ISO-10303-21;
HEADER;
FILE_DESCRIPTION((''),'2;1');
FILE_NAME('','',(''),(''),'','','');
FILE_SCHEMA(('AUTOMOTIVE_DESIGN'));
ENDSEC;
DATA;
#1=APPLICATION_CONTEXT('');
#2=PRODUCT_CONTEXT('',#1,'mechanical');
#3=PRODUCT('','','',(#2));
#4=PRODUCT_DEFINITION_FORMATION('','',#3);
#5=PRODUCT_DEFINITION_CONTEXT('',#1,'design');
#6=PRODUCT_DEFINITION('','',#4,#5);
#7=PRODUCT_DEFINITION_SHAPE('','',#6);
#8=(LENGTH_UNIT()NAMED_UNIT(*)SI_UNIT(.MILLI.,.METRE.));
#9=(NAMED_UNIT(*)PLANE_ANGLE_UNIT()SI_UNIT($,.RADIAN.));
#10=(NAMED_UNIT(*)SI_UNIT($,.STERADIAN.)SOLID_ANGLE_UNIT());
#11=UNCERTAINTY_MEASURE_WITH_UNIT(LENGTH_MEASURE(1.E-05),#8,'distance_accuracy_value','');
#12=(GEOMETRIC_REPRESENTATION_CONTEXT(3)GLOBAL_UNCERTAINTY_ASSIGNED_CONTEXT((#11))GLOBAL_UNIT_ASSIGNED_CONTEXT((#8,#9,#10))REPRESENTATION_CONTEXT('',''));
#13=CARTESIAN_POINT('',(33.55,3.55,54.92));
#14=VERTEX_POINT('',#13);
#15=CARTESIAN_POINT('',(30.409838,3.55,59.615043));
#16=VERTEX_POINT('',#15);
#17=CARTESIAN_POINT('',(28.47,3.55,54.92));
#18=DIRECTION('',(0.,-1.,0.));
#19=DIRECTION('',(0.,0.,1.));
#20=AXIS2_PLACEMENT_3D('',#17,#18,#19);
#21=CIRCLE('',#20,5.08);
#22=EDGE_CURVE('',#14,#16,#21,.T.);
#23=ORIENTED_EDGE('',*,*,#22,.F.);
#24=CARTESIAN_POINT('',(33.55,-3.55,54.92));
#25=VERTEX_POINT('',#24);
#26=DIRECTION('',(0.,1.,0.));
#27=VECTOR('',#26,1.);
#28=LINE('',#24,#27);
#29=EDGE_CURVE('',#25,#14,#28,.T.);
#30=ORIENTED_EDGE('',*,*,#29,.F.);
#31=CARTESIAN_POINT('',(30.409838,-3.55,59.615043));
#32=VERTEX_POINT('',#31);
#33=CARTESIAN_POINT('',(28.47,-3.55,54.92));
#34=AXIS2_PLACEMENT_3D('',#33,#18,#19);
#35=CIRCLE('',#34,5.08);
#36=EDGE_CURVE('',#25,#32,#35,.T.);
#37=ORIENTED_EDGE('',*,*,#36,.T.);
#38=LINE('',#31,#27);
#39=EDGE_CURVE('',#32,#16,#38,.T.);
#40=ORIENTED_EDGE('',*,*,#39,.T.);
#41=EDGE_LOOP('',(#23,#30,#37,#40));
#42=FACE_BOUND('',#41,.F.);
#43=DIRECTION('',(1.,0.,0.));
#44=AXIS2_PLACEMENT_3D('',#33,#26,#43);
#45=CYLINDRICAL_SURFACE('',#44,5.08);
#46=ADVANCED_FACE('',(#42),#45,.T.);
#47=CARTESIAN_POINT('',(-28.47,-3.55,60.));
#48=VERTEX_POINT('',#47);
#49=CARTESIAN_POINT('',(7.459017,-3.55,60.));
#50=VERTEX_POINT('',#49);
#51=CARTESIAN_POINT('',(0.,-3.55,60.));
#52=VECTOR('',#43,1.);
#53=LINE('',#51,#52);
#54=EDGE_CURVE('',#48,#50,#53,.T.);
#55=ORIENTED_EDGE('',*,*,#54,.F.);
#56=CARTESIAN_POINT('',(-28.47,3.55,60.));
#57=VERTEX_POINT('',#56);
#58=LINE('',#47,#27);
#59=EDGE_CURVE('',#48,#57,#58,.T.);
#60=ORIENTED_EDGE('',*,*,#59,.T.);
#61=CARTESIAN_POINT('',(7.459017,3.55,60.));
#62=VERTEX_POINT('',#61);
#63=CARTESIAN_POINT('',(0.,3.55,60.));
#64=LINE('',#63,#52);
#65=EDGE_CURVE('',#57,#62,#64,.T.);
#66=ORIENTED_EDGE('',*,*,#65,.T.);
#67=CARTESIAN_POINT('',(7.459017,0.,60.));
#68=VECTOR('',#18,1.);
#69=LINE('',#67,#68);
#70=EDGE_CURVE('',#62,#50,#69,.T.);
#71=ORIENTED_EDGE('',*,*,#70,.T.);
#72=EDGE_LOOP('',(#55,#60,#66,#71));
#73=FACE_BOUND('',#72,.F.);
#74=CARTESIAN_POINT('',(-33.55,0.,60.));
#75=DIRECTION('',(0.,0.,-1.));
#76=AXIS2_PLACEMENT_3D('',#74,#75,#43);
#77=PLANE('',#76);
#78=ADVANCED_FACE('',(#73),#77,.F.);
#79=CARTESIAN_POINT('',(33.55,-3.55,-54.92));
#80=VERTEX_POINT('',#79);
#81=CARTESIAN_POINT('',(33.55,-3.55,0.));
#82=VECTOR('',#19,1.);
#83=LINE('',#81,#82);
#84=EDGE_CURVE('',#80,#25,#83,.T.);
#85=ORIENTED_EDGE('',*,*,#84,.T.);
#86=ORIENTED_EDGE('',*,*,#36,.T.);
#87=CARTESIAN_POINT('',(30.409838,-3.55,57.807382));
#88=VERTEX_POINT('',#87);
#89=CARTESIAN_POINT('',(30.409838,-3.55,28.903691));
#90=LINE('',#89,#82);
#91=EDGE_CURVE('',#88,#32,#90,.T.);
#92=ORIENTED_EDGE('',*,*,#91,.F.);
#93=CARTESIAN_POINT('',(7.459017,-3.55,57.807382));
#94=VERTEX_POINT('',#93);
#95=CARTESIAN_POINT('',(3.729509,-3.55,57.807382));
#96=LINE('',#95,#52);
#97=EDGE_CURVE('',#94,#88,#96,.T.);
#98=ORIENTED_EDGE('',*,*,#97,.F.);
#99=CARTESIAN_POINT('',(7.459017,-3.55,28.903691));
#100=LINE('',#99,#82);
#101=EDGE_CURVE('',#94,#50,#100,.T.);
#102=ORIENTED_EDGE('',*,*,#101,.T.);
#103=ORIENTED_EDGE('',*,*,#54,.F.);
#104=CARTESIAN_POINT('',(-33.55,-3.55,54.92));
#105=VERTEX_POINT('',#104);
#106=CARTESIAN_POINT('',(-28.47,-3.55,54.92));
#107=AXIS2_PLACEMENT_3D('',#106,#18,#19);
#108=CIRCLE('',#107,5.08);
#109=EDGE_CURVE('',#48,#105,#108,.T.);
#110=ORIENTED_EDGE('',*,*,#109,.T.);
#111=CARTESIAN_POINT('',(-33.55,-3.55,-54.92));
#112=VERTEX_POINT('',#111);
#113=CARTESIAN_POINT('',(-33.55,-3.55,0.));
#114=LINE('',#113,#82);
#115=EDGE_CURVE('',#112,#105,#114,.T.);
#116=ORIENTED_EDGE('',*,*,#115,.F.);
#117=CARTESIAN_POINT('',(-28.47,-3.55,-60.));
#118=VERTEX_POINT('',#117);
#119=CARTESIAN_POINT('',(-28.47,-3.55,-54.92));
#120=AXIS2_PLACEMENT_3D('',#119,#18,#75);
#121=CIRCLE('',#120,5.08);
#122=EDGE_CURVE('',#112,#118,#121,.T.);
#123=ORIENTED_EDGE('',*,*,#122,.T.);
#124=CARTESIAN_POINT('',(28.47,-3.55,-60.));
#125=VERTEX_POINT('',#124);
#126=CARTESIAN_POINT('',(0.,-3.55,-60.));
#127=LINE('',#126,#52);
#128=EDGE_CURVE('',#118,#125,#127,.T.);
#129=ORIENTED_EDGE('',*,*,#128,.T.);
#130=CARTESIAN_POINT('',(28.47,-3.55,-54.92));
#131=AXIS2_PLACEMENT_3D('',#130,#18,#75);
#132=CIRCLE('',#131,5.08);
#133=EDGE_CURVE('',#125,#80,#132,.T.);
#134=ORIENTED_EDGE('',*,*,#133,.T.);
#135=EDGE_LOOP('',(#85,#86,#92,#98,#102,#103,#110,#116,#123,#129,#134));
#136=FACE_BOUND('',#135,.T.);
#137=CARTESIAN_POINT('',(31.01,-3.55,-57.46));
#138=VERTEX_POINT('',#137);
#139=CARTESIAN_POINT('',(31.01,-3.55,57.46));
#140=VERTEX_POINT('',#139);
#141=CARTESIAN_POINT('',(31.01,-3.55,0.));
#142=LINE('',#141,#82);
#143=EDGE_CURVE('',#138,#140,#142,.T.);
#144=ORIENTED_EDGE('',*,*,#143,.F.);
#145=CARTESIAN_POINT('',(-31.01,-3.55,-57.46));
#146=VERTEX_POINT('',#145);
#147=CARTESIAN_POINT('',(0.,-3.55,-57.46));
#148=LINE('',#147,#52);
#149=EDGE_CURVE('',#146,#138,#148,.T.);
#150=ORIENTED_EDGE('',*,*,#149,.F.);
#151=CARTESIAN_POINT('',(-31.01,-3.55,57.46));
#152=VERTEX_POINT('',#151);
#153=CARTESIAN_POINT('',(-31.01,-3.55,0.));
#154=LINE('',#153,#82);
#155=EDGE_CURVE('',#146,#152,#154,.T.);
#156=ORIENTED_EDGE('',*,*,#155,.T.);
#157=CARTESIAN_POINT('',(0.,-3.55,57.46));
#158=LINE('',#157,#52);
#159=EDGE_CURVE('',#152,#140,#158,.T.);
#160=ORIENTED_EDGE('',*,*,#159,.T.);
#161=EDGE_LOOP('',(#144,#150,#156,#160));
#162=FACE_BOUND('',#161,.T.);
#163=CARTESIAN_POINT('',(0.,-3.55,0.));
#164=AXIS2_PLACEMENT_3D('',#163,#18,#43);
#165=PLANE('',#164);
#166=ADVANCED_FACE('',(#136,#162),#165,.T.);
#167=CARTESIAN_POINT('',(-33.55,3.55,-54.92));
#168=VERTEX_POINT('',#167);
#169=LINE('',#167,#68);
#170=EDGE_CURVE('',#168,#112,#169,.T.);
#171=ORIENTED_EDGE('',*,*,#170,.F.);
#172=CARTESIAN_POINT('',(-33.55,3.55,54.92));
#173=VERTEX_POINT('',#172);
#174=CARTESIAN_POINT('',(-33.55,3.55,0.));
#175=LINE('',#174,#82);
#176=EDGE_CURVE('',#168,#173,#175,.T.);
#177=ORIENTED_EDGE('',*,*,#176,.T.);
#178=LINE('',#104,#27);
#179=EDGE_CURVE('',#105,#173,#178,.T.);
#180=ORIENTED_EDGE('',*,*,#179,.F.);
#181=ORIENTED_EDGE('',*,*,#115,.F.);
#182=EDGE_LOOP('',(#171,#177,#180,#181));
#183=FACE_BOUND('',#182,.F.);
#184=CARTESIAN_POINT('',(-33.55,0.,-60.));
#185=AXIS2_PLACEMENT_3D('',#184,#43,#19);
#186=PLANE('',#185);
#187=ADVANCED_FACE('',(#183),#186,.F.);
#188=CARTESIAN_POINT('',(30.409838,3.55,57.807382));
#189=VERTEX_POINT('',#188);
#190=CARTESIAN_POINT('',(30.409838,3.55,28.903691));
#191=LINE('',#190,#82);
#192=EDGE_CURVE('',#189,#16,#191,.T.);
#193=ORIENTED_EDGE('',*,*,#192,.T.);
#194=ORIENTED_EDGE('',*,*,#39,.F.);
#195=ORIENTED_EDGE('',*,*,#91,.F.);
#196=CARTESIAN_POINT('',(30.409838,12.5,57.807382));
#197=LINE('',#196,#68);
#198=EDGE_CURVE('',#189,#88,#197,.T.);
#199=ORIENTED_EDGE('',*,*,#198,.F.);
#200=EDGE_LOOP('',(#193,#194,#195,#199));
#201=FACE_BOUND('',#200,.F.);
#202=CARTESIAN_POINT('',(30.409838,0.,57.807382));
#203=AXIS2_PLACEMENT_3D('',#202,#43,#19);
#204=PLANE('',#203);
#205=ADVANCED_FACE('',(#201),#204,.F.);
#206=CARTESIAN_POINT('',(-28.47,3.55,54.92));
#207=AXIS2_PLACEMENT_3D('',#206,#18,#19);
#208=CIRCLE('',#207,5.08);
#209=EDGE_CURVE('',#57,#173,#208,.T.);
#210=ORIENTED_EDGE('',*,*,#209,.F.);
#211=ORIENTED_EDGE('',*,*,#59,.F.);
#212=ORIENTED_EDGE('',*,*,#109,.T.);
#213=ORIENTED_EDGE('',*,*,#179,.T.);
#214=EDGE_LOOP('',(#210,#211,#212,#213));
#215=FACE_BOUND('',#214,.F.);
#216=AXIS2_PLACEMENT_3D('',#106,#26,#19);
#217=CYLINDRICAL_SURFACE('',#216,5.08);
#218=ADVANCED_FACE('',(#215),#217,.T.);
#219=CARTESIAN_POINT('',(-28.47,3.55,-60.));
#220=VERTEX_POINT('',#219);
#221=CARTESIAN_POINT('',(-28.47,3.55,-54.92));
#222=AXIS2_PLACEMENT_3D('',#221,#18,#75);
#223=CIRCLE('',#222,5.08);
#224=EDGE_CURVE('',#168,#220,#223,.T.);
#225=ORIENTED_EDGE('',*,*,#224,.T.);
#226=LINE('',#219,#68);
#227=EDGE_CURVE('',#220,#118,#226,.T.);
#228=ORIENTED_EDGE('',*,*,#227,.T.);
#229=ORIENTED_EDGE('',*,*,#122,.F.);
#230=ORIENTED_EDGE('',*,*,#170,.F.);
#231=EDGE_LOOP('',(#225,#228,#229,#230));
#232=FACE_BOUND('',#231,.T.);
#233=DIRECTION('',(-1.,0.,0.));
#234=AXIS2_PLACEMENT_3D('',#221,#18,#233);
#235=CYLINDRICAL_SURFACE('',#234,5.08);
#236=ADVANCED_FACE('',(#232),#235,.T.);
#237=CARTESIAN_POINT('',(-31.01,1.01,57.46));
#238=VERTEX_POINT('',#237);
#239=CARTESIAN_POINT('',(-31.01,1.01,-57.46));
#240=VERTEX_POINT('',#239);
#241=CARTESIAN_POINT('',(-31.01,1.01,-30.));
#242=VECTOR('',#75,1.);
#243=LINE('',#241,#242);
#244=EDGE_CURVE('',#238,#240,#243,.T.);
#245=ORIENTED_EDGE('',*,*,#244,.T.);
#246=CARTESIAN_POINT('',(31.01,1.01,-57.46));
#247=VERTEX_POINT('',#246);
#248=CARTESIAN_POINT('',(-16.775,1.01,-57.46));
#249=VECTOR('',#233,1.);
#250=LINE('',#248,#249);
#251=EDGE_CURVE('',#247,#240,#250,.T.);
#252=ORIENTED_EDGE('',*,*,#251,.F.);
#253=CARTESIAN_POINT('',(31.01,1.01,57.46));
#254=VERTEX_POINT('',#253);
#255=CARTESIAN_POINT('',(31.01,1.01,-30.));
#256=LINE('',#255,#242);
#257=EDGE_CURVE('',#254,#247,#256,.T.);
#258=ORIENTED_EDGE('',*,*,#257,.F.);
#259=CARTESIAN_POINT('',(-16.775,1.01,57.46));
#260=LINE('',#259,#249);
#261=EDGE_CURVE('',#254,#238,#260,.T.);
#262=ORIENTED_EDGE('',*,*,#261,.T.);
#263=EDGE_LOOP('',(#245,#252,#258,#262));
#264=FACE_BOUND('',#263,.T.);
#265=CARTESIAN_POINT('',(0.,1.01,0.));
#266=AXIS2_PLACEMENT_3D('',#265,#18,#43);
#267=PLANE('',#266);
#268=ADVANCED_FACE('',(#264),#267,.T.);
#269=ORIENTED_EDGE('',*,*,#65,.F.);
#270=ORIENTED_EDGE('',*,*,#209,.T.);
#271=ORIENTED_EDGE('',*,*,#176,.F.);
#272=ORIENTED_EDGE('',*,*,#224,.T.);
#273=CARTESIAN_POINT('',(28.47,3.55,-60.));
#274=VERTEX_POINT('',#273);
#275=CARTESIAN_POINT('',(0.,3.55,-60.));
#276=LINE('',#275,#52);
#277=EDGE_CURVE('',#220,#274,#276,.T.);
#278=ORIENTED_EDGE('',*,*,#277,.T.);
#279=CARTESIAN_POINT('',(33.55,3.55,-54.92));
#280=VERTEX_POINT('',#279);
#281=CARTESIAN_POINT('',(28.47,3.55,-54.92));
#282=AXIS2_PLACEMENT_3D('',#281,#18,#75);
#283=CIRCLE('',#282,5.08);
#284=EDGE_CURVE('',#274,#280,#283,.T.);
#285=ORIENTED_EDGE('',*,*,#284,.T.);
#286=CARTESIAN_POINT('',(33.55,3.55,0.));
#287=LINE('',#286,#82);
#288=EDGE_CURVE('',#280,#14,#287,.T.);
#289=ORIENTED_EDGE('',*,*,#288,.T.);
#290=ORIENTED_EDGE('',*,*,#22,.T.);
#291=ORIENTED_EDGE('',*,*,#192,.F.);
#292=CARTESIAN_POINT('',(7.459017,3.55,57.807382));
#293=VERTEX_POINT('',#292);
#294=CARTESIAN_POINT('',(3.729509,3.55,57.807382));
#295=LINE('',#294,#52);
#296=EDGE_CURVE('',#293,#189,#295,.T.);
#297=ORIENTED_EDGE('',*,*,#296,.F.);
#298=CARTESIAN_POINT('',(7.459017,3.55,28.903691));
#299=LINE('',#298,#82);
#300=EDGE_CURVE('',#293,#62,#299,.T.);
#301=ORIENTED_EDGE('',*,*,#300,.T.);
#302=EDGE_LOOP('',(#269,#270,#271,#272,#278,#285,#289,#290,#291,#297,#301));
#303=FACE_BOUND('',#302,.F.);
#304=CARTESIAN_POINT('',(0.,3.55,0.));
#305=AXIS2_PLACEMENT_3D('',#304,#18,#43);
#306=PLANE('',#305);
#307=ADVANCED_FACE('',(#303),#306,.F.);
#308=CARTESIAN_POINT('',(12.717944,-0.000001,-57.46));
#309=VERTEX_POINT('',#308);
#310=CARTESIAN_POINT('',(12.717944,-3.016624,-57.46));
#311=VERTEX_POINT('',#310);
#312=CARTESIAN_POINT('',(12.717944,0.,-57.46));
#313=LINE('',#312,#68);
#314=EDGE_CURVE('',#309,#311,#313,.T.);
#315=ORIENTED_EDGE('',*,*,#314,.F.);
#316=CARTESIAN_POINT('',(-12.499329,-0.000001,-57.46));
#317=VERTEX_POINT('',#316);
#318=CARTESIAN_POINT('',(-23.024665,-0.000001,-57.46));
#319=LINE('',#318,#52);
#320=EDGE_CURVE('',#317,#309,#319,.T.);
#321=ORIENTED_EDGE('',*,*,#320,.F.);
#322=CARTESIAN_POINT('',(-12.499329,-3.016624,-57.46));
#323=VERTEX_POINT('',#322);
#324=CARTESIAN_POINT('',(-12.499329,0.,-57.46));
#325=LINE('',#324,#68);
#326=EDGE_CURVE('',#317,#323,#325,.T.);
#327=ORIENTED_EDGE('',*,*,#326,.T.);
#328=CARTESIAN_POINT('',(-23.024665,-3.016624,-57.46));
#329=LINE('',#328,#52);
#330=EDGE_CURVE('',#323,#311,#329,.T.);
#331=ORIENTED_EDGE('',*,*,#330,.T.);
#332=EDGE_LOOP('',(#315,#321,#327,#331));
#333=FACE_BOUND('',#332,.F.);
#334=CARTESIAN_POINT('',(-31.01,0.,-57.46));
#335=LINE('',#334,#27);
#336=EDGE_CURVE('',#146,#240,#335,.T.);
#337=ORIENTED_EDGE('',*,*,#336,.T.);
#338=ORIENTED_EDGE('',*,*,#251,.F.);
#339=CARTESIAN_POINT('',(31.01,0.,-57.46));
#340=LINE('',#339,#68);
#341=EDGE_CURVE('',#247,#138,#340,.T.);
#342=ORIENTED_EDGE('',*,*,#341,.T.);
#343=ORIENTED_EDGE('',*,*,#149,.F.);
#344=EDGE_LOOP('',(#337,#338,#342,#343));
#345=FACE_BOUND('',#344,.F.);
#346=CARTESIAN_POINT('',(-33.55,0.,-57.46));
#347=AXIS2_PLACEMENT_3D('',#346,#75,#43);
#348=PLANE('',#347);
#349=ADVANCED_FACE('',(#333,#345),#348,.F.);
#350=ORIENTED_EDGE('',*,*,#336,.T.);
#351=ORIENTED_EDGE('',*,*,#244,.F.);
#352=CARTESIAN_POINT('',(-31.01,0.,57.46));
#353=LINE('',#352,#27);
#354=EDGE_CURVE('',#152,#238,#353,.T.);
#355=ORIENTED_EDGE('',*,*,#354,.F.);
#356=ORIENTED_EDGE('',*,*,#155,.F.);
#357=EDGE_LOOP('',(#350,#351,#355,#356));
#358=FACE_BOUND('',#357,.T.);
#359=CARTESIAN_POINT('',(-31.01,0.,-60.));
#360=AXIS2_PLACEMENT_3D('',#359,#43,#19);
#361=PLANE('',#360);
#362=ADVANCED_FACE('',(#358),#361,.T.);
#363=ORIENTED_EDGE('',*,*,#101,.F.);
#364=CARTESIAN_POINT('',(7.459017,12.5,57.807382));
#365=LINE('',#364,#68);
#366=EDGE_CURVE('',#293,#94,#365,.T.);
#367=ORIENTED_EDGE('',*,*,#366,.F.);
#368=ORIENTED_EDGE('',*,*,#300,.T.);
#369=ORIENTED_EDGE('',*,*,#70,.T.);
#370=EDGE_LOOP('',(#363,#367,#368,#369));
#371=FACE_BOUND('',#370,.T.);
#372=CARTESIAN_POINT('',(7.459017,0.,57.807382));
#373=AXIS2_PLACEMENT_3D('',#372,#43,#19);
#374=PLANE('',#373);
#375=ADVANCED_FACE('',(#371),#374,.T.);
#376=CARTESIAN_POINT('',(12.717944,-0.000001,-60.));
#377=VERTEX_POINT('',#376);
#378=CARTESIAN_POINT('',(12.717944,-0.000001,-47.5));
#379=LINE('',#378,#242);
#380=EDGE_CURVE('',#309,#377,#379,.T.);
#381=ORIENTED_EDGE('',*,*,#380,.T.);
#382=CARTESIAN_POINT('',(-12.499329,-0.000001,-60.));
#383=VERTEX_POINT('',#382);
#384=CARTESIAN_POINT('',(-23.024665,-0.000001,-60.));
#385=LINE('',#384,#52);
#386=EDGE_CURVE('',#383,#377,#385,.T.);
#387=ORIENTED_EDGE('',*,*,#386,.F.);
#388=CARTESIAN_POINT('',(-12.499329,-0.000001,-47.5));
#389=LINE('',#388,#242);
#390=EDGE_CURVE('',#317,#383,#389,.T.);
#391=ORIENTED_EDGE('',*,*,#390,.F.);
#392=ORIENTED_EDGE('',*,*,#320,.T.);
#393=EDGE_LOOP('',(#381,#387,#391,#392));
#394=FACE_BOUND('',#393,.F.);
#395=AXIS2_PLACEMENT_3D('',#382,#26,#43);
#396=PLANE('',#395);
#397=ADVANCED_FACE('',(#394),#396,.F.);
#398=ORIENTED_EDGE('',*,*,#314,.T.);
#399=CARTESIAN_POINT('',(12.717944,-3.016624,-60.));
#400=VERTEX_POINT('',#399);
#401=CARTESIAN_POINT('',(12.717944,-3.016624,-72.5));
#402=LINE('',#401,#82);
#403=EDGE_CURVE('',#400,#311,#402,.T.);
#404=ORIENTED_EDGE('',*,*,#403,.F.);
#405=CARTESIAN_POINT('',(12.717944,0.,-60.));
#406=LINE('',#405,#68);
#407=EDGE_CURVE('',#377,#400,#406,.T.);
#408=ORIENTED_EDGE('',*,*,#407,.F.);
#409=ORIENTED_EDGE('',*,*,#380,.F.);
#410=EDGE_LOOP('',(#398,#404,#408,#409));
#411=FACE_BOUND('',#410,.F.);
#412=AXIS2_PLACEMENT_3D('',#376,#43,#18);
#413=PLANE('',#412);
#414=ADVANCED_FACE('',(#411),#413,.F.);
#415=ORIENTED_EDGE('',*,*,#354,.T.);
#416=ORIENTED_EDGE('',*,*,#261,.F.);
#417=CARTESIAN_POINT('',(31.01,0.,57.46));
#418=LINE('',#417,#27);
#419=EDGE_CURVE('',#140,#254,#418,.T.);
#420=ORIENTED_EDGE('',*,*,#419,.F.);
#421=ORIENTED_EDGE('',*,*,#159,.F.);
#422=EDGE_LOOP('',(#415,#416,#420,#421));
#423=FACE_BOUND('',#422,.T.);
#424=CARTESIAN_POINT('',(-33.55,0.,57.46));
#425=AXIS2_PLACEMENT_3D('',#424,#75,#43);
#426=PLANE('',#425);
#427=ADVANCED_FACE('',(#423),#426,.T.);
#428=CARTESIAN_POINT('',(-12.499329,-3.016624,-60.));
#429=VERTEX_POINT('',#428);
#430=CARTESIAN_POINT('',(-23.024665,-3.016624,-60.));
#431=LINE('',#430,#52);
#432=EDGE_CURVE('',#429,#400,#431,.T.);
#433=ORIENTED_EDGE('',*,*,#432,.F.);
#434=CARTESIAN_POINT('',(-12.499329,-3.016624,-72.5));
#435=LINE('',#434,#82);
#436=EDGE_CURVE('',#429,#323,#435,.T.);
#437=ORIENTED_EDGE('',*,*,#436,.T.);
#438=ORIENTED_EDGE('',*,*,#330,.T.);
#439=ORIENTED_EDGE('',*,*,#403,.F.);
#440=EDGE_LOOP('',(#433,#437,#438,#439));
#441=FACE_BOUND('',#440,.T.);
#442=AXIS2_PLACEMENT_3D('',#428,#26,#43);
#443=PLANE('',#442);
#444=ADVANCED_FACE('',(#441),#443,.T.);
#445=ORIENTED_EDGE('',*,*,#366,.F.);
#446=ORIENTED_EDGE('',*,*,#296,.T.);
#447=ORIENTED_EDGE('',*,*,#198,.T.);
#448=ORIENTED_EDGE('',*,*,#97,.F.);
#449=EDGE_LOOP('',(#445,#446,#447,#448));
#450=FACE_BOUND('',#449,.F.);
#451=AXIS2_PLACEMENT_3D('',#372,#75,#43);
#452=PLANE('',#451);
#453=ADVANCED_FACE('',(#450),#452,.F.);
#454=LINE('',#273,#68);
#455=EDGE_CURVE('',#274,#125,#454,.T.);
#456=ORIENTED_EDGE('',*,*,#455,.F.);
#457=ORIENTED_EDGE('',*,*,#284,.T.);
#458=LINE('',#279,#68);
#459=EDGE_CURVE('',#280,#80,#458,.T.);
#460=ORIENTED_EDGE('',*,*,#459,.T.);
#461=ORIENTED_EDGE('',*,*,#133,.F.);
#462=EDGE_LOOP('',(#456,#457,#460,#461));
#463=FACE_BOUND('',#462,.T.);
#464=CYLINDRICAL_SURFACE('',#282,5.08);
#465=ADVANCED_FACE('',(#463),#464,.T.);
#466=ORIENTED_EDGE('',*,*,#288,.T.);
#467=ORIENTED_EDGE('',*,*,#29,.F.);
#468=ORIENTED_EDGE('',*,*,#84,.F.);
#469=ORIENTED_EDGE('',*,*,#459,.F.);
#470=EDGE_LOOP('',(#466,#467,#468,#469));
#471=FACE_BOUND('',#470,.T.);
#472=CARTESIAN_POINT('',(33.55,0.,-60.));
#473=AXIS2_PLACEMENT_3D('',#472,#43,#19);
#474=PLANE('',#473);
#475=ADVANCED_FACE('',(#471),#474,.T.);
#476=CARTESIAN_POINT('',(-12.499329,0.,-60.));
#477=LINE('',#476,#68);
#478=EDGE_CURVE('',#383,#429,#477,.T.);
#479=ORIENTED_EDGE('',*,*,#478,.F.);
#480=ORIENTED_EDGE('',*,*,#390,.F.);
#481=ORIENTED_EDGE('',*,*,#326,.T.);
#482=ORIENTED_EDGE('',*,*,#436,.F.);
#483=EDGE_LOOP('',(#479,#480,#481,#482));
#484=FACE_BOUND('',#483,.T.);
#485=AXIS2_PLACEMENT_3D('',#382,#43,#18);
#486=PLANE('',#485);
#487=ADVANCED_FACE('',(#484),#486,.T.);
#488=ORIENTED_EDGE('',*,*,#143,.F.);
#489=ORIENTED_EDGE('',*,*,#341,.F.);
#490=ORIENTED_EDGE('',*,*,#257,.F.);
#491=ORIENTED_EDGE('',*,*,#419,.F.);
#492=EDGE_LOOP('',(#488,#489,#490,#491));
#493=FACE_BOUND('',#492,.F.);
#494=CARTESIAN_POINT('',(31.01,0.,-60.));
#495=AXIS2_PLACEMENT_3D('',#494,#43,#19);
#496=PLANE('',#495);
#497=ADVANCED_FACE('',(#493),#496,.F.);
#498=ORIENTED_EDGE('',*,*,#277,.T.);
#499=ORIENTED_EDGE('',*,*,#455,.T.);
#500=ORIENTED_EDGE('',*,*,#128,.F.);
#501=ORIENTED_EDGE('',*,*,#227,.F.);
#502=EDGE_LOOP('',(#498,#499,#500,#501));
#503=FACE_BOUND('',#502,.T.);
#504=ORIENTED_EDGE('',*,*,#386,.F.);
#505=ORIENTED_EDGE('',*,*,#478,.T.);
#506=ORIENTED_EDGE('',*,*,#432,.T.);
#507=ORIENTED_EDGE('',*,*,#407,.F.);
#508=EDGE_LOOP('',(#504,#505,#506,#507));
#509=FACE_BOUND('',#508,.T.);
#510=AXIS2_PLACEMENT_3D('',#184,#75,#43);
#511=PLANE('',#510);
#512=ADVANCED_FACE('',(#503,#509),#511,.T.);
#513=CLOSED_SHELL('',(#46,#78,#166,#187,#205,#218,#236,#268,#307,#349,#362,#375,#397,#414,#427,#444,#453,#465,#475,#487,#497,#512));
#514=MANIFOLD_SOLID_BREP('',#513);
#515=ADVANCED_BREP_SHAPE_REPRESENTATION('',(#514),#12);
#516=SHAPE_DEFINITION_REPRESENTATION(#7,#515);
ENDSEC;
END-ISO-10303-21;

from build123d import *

# Parameters (mm, degrees)
F0_W      = 67.1
F0_H      = 120
F1_DEPTH  = 3.55
F2_T      = -2.54
F3_R      = 5.08
F4_R      = 5.08
F5_R      = 5.08
F6_R      = 5.08
F7_W      = 22.950821
F7_H      = 8.032788
F8_DEPTH  = 12.5
F9_W      = 25.217273
F9_H      = 3.016623
F10_DEPTH = 12.5


with BuildPart() as f1:
    # F0 (on Front) → F1 (new body, symmetric)
    with BuildSketch(Plane.XZ):
        Rectangle(F0_W, F0_H)
    extrude(amount=F1_DEPTH, both=True)

    # F2
    f2_openings = [f1.faces().sort_by_distance(p)[0] for p in [
        (0, -3.55, 0),
    ]]
    offset(amount=F2_T, openings=f2_openings)

    # F3
    f3_edges = [f1.edges().sort_by_distance(p)[0] for p in [
        (33.55, 0, 60),
    ]]
    fillet(f3_edges, radius=F3_R)

    # F4
    f4_edges = [f1.edges().sort_by_distance(p)[0] for p in [
        (-33.55, 0, 60),
    ]]
    fillet(f4_edges, radius=F4_R)

    # F5
    f5_edges = [f1.edges().sort_by_distance(p)[0] for p in [
        (-33.55, 0, -60),
    ]]
    fillet(f5_edges, radius=F5_R)

    # F6
    f6_edges = [f1.edges().sort_by_distance(p)[0] for p in [
        (33.55, 0, -60),
    ]]
    fillet(f6_edges, radius=F6_R)

    # F7 (on Front) → F8 (cut, symmetric)
    with BuildSketch(Plane.XZ):
        with Locations((18.934428, 61.823776)):
            Rectangle(F7_W, F7_H)
    extrude(amount=F8_DEPTH, both=True, mode=Mode.SUBTRACT)

    # F9 (on face) → F10 (cut, symmetric)
    with BuildSketch(Plane(origin=(0, 0, -60), x_dir=(1, 0, 0), z_dir=(0, 0, -1))):
        with Locations((0.109307, 1.508312)):
            Rectangle(F9_W, F9_H)
    extrude(amount=F10_DEPTH, both=True, mode=Mode.SUBTRACT)


solid = f1.part
